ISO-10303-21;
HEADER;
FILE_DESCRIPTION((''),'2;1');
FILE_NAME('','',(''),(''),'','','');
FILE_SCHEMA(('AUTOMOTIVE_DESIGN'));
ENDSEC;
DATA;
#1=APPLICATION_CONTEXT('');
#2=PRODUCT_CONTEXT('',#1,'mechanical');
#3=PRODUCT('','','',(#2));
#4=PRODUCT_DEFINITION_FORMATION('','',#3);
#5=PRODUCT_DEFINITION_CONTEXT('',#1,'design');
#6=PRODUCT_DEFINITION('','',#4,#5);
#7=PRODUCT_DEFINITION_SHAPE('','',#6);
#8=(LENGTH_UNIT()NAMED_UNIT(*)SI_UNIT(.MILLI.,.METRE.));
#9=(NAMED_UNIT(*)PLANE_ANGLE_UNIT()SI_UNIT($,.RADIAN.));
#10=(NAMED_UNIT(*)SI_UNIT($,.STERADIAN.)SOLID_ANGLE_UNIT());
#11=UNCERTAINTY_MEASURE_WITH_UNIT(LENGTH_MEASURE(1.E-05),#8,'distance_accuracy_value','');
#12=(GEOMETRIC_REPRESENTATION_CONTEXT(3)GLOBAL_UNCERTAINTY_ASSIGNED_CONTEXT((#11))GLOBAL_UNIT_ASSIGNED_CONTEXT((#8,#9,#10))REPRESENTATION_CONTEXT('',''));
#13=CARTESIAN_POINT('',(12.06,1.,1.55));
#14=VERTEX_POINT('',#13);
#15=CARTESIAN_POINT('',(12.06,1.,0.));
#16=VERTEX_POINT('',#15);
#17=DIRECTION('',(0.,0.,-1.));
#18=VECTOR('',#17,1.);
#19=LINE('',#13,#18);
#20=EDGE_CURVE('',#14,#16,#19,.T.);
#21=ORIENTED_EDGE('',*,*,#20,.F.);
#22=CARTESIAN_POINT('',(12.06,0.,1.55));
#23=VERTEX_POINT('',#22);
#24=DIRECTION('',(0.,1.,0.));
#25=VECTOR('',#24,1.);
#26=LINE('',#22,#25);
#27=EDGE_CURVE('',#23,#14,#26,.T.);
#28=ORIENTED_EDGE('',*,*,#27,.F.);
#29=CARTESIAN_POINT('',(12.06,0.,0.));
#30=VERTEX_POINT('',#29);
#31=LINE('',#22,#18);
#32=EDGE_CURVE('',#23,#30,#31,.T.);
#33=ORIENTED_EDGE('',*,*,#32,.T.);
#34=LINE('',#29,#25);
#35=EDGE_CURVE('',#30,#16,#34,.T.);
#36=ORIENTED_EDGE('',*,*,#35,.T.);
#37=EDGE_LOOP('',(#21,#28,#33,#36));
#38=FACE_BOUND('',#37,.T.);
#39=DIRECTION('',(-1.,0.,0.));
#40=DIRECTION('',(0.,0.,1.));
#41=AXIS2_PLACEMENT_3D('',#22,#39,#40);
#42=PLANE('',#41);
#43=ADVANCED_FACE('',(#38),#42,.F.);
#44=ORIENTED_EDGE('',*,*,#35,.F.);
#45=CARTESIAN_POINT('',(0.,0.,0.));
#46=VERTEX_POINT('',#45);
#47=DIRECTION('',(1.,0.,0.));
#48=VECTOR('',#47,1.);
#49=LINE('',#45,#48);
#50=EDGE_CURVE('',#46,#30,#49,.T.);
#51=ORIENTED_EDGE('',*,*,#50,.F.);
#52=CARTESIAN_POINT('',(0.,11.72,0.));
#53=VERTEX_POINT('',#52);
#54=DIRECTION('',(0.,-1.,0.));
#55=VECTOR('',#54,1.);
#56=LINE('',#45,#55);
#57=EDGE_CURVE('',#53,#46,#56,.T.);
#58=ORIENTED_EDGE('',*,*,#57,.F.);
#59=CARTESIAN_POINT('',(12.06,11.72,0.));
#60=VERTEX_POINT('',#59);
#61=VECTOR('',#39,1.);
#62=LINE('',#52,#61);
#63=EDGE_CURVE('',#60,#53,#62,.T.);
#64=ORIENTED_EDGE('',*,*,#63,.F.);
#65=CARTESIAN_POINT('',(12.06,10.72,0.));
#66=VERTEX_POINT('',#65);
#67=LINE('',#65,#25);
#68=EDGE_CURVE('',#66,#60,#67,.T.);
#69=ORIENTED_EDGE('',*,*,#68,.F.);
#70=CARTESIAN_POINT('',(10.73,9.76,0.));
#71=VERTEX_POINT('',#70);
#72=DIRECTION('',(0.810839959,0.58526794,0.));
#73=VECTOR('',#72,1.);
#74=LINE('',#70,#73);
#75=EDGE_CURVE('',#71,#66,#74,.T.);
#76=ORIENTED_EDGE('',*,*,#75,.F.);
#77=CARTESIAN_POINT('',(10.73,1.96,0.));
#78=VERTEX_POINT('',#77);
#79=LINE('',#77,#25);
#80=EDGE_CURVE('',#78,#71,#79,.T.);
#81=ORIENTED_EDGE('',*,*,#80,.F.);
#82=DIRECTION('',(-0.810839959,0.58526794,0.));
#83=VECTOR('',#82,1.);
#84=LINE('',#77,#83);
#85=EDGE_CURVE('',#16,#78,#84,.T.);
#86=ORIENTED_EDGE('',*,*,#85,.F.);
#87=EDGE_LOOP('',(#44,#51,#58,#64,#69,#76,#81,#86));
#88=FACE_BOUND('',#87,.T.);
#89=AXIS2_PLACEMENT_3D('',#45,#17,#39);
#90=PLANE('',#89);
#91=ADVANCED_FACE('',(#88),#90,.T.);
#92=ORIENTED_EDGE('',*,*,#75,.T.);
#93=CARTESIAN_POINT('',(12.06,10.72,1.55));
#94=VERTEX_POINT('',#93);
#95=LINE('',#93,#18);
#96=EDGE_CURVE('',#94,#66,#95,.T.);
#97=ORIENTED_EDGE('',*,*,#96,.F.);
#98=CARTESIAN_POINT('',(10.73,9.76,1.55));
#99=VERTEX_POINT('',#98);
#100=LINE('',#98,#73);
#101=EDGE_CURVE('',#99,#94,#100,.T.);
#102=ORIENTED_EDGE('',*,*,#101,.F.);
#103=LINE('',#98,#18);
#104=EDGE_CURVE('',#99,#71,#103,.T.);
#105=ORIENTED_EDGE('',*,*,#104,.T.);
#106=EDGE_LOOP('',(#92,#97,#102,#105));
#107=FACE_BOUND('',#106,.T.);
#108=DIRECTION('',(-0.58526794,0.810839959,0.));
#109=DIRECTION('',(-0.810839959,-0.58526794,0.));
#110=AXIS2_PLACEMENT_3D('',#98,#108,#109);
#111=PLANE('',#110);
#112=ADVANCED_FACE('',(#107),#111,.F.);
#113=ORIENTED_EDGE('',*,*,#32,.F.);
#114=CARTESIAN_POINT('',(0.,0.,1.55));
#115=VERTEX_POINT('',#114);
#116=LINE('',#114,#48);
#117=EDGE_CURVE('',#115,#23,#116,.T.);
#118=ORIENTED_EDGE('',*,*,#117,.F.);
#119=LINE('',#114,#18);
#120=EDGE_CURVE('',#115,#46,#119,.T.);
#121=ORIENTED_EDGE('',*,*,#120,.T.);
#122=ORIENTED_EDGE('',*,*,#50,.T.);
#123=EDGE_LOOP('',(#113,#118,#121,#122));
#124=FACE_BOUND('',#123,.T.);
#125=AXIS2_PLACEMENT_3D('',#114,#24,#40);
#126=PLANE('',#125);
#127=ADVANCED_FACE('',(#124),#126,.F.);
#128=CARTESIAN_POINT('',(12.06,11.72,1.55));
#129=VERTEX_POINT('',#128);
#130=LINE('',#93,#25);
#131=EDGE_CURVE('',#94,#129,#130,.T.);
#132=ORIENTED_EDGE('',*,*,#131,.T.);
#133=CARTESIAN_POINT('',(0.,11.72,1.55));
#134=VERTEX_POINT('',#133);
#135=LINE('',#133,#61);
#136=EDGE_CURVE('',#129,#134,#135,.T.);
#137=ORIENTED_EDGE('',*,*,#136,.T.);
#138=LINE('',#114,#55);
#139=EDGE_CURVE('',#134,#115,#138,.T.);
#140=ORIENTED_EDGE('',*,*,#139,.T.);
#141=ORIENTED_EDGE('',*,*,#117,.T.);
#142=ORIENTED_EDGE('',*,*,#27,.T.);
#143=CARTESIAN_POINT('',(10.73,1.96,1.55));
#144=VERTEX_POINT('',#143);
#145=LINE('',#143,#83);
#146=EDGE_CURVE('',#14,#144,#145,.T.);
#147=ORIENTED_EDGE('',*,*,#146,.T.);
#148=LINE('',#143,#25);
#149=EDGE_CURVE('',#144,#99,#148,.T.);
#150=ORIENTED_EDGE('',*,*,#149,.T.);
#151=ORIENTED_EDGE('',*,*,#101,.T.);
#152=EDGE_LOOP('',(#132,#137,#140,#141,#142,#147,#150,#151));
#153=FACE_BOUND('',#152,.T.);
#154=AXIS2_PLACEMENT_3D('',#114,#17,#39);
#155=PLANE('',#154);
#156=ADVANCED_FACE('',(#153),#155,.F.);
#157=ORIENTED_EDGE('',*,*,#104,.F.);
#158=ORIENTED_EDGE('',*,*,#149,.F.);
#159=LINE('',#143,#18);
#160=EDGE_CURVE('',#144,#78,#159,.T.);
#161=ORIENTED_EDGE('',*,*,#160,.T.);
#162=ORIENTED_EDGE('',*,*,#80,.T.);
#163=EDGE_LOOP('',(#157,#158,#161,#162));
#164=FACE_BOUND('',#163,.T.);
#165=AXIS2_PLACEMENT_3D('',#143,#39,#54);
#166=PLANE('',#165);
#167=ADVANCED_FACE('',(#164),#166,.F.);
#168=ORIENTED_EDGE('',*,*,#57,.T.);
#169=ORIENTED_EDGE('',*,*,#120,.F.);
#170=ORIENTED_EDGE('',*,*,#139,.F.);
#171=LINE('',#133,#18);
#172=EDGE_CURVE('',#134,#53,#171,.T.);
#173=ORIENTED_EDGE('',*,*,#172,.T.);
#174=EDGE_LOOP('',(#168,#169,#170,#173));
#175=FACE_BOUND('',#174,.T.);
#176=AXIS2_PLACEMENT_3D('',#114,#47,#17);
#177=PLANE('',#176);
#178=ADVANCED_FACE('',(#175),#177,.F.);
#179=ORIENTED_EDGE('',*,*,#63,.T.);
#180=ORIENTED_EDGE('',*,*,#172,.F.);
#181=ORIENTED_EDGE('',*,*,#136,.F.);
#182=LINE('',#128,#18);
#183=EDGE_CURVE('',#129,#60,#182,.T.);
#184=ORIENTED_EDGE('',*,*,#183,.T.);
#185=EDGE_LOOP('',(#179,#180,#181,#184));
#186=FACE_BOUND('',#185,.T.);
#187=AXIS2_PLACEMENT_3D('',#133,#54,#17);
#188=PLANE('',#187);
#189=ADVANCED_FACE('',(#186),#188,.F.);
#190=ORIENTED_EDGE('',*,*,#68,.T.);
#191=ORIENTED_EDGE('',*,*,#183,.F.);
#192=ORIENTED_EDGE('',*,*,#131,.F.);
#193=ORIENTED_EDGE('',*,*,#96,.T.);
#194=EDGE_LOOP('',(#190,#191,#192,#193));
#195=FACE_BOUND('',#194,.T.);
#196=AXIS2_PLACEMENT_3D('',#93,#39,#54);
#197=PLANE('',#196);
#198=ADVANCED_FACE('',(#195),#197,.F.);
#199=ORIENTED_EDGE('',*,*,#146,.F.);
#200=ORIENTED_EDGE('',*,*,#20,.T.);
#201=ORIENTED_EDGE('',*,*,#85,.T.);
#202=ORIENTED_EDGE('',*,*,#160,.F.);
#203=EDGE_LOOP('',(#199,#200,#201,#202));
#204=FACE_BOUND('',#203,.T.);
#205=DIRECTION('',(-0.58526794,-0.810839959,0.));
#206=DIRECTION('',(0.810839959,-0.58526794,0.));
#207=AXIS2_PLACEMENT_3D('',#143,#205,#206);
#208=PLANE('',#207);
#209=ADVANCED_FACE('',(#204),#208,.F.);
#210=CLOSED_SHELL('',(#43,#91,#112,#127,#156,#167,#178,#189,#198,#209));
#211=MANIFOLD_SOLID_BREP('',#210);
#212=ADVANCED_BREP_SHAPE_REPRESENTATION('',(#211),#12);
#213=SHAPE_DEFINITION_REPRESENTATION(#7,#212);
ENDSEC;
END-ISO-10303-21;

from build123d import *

# Parameters (mm, degrees)
BOSS_EXTRUDE1_DEPTH = 1.55


with BuildPart() as part:
    # Sketch1 → Boss-Extrude1 (new body)
    with BuildSketch(Plane.XY):
        Polygon((10.73, 9.76), (12.06, 10.72), (12.06, 11.72), (0, 11.72), (0, 0), (12.06, 0), (12.06, 1), (10.73, 1.96), align=None)
    extrude(amount=BOSS_EXTRUDE1_DEPTH)


solid = part.part
